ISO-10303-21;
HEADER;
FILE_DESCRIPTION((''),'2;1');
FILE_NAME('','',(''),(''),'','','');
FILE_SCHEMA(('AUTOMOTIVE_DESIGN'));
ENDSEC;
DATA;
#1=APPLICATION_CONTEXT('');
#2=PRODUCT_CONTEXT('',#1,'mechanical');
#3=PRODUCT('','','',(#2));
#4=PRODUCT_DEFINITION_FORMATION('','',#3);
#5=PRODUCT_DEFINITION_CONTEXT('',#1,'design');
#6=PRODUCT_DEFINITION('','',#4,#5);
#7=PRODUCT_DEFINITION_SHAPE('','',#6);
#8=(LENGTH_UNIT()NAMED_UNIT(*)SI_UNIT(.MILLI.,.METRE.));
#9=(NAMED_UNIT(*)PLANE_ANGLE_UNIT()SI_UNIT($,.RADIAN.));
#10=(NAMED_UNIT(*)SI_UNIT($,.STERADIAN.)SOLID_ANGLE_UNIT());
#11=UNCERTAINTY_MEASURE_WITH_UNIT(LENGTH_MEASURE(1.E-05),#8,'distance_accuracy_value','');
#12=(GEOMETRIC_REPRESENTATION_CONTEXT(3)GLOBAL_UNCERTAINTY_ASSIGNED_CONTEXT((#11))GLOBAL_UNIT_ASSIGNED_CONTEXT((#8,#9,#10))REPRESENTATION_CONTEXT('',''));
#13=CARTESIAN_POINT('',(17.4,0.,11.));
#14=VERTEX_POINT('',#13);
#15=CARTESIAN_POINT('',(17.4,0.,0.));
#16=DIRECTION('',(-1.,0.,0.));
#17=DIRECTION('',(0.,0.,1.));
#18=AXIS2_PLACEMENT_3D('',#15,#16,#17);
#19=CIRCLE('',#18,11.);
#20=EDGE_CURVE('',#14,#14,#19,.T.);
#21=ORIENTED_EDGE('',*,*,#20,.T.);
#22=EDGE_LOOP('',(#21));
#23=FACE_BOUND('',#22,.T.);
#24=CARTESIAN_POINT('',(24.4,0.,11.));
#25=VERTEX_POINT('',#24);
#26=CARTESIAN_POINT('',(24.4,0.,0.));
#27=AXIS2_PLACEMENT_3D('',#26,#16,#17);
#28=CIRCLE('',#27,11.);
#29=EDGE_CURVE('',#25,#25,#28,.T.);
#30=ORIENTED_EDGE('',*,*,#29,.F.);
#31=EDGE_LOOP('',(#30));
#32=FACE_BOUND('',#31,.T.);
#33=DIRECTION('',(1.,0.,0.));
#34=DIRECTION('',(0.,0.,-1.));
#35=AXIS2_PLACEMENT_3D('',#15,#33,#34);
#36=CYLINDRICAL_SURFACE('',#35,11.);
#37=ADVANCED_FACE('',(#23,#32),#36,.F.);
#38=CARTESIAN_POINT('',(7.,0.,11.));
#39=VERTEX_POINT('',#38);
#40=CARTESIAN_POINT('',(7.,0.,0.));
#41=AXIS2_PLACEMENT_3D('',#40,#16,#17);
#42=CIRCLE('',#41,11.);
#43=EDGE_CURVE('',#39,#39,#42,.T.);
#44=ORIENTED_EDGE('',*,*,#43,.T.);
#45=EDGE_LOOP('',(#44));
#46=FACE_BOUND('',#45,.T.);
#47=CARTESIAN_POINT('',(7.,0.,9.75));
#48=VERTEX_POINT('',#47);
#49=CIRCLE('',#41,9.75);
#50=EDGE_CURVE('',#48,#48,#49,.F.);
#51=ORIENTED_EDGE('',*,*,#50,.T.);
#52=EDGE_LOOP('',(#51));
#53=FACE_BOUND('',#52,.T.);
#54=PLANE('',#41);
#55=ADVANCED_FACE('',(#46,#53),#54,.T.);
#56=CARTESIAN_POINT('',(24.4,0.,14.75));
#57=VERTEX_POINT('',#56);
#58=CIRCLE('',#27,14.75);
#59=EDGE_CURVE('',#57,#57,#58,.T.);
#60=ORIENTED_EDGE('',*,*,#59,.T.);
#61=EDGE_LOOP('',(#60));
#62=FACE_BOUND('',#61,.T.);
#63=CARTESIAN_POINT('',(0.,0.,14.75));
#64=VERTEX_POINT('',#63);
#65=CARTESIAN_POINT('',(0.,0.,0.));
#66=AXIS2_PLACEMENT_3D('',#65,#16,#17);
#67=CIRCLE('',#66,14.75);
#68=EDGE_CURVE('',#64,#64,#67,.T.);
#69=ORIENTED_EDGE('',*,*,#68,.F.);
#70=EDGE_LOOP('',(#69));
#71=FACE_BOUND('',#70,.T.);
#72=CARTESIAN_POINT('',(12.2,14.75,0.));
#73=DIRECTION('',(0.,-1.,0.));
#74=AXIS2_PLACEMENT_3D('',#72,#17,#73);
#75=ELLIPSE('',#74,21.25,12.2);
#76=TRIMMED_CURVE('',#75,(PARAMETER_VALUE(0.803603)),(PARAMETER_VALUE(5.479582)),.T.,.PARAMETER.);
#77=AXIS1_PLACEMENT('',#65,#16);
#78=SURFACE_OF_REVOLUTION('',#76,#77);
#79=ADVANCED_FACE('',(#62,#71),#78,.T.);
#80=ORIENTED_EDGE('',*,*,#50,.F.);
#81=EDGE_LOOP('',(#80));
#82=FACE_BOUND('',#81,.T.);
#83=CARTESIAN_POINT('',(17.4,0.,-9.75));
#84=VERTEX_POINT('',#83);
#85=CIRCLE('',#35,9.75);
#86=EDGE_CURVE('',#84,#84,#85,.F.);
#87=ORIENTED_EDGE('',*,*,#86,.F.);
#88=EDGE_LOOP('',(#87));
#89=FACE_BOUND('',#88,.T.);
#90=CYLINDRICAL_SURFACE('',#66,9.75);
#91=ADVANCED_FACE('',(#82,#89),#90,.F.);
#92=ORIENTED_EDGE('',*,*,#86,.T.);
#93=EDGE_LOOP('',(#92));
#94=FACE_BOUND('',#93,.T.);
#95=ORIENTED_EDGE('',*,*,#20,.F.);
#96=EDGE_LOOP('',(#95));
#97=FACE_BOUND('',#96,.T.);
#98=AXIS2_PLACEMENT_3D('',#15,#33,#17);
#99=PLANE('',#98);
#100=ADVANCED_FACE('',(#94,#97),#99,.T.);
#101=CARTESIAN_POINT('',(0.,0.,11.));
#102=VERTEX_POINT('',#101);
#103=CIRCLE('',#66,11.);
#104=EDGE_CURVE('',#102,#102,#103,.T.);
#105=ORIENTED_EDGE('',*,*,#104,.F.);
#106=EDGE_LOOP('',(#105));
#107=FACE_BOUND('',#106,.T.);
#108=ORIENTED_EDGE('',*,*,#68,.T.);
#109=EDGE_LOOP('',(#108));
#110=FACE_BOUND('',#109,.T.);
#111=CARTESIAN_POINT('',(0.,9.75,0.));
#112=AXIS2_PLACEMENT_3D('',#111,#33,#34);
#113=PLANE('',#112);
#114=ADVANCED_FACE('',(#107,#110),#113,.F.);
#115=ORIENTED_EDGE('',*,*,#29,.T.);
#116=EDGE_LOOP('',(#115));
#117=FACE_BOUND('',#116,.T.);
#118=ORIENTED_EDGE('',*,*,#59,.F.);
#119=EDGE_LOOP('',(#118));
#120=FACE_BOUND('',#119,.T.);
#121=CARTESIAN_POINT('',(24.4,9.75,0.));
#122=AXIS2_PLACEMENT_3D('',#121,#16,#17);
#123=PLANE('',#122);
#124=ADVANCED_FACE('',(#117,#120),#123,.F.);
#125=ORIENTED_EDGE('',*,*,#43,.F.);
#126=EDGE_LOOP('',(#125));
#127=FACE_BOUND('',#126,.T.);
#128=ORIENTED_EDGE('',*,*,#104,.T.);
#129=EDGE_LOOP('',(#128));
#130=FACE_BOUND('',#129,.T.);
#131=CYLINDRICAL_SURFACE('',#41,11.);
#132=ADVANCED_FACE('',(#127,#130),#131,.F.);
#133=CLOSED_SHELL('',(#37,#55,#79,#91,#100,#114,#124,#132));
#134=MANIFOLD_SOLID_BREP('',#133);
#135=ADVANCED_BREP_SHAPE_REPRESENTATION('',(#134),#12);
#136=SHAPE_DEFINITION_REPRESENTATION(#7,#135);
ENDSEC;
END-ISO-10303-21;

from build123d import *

# Parameters (mm, degrees)
SKETCH2_R          = 11
CUT_EXTRUDE1_DEPTH = 7


with BuildPart() as part:
    # Sketch1 → Revolve1 (revolve)
    with BuildSketch(Plane.XY):
        with BuildLine():
            Line((0, 9.75), (0, 14.75))
            add(Edge.make_bspline(
                [(24.4, 14.75), (24.4, 36), (12.2, 36), (0, 36), (0, 14.75)],
                knots=[1.570796327, 1.570796327, 1.570796327, 3.141592654, 3.141592654, 4.71238898, 4.71238898, 4.71238898], degree=2, weights=[1, 0.707106781, 1, 0.707106781, 1]))
            Line((24.4, 14.75), (24.4, 9.75))
            Line((24.4, 9.75), (0, 9.75))
        make_face()
    revolve(axis=Axis((0, 0, 0), (1, 0, 0)))

    # Sketch2 → Cut-Extrude1 (cut)
    with BuildSketch(Plane.ZY):
        Circle(SKETCH2_R)
    cut_extrude1 = extrude(amount=-CUT_EXTRUDE1_DEPTH, mode=Mode.SUBTRACT)

    # Mirror1: Cut-Extrude1 across plane
    add(cut_extrude1.mirror(Plane.ZY.offset(-12.2)), mode=Mode.SUBTRACT)


solid = part.part
